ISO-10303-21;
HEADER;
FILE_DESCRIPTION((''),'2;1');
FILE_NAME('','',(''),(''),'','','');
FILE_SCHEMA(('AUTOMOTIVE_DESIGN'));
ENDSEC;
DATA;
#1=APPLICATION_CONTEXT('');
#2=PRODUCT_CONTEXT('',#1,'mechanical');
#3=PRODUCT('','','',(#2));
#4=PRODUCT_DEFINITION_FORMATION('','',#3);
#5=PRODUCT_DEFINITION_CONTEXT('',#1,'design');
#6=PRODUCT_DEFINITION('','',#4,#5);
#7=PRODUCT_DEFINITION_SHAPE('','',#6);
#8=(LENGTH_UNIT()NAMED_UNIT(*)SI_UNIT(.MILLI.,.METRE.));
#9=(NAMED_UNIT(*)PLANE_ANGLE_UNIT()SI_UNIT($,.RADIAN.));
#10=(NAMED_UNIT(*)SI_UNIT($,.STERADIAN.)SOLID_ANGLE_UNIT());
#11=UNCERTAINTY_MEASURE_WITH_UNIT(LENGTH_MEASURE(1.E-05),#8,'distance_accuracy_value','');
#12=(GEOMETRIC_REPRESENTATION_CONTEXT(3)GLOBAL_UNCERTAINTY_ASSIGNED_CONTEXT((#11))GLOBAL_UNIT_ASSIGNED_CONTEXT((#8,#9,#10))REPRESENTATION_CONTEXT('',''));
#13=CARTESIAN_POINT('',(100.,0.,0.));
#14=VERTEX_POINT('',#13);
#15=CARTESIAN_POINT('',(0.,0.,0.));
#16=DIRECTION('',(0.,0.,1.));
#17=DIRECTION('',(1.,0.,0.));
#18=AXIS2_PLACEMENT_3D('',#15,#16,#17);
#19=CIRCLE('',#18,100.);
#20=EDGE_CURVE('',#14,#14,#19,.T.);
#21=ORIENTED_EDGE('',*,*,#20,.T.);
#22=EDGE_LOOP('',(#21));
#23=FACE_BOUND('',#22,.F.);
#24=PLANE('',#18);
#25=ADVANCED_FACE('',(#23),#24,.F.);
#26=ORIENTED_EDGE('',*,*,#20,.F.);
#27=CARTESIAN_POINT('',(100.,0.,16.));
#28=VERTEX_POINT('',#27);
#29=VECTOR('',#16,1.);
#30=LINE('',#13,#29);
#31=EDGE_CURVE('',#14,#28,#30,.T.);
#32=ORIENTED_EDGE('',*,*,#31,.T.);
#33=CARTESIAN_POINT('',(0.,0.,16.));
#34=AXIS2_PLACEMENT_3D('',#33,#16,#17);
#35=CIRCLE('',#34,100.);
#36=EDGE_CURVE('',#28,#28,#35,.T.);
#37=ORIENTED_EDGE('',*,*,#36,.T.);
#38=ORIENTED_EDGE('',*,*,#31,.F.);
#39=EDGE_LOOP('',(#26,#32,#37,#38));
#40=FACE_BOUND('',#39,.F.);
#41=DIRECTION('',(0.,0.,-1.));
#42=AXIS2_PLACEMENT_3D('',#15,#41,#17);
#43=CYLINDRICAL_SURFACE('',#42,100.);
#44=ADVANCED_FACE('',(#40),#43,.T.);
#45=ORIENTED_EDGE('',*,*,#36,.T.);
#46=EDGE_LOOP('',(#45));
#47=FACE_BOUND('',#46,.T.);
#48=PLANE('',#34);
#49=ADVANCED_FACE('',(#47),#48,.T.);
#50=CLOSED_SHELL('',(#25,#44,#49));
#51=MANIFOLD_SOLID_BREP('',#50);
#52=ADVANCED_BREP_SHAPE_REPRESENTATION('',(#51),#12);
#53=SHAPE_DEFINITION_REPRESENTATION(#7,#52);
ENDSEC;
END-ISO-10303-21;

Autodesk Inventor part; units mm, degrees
ref_plane "YZ Plane" through (0, 0, 0) normal (1, 0, 0) x (0, 1, 0)
ref_plane "XZ Plane" through (0, 0, 0) normal (0, 1, 0) x (-1, 0, 0)
ref_plane "XY Plane" through (0, 0, 0) normal (0, 0, 1) x (1, 0, 0)
sketch "Szkic1" plane through (0, 0, 0) normal (0, 0, 1) x (1, 0, 0)
  circle A0 centre (0, 0) radius 100
  dimension "d0" = 200
extrude "Wyciągnięcie proste1" add sketch "Szkic1" along normal blind 16
sketch "Szkic2" plane through (0, 0, 16) normal (0, 0, 1) x (1, 0, 0)
  point P0 (0, 0)
properties part number "Platforma_Obrotowa"
